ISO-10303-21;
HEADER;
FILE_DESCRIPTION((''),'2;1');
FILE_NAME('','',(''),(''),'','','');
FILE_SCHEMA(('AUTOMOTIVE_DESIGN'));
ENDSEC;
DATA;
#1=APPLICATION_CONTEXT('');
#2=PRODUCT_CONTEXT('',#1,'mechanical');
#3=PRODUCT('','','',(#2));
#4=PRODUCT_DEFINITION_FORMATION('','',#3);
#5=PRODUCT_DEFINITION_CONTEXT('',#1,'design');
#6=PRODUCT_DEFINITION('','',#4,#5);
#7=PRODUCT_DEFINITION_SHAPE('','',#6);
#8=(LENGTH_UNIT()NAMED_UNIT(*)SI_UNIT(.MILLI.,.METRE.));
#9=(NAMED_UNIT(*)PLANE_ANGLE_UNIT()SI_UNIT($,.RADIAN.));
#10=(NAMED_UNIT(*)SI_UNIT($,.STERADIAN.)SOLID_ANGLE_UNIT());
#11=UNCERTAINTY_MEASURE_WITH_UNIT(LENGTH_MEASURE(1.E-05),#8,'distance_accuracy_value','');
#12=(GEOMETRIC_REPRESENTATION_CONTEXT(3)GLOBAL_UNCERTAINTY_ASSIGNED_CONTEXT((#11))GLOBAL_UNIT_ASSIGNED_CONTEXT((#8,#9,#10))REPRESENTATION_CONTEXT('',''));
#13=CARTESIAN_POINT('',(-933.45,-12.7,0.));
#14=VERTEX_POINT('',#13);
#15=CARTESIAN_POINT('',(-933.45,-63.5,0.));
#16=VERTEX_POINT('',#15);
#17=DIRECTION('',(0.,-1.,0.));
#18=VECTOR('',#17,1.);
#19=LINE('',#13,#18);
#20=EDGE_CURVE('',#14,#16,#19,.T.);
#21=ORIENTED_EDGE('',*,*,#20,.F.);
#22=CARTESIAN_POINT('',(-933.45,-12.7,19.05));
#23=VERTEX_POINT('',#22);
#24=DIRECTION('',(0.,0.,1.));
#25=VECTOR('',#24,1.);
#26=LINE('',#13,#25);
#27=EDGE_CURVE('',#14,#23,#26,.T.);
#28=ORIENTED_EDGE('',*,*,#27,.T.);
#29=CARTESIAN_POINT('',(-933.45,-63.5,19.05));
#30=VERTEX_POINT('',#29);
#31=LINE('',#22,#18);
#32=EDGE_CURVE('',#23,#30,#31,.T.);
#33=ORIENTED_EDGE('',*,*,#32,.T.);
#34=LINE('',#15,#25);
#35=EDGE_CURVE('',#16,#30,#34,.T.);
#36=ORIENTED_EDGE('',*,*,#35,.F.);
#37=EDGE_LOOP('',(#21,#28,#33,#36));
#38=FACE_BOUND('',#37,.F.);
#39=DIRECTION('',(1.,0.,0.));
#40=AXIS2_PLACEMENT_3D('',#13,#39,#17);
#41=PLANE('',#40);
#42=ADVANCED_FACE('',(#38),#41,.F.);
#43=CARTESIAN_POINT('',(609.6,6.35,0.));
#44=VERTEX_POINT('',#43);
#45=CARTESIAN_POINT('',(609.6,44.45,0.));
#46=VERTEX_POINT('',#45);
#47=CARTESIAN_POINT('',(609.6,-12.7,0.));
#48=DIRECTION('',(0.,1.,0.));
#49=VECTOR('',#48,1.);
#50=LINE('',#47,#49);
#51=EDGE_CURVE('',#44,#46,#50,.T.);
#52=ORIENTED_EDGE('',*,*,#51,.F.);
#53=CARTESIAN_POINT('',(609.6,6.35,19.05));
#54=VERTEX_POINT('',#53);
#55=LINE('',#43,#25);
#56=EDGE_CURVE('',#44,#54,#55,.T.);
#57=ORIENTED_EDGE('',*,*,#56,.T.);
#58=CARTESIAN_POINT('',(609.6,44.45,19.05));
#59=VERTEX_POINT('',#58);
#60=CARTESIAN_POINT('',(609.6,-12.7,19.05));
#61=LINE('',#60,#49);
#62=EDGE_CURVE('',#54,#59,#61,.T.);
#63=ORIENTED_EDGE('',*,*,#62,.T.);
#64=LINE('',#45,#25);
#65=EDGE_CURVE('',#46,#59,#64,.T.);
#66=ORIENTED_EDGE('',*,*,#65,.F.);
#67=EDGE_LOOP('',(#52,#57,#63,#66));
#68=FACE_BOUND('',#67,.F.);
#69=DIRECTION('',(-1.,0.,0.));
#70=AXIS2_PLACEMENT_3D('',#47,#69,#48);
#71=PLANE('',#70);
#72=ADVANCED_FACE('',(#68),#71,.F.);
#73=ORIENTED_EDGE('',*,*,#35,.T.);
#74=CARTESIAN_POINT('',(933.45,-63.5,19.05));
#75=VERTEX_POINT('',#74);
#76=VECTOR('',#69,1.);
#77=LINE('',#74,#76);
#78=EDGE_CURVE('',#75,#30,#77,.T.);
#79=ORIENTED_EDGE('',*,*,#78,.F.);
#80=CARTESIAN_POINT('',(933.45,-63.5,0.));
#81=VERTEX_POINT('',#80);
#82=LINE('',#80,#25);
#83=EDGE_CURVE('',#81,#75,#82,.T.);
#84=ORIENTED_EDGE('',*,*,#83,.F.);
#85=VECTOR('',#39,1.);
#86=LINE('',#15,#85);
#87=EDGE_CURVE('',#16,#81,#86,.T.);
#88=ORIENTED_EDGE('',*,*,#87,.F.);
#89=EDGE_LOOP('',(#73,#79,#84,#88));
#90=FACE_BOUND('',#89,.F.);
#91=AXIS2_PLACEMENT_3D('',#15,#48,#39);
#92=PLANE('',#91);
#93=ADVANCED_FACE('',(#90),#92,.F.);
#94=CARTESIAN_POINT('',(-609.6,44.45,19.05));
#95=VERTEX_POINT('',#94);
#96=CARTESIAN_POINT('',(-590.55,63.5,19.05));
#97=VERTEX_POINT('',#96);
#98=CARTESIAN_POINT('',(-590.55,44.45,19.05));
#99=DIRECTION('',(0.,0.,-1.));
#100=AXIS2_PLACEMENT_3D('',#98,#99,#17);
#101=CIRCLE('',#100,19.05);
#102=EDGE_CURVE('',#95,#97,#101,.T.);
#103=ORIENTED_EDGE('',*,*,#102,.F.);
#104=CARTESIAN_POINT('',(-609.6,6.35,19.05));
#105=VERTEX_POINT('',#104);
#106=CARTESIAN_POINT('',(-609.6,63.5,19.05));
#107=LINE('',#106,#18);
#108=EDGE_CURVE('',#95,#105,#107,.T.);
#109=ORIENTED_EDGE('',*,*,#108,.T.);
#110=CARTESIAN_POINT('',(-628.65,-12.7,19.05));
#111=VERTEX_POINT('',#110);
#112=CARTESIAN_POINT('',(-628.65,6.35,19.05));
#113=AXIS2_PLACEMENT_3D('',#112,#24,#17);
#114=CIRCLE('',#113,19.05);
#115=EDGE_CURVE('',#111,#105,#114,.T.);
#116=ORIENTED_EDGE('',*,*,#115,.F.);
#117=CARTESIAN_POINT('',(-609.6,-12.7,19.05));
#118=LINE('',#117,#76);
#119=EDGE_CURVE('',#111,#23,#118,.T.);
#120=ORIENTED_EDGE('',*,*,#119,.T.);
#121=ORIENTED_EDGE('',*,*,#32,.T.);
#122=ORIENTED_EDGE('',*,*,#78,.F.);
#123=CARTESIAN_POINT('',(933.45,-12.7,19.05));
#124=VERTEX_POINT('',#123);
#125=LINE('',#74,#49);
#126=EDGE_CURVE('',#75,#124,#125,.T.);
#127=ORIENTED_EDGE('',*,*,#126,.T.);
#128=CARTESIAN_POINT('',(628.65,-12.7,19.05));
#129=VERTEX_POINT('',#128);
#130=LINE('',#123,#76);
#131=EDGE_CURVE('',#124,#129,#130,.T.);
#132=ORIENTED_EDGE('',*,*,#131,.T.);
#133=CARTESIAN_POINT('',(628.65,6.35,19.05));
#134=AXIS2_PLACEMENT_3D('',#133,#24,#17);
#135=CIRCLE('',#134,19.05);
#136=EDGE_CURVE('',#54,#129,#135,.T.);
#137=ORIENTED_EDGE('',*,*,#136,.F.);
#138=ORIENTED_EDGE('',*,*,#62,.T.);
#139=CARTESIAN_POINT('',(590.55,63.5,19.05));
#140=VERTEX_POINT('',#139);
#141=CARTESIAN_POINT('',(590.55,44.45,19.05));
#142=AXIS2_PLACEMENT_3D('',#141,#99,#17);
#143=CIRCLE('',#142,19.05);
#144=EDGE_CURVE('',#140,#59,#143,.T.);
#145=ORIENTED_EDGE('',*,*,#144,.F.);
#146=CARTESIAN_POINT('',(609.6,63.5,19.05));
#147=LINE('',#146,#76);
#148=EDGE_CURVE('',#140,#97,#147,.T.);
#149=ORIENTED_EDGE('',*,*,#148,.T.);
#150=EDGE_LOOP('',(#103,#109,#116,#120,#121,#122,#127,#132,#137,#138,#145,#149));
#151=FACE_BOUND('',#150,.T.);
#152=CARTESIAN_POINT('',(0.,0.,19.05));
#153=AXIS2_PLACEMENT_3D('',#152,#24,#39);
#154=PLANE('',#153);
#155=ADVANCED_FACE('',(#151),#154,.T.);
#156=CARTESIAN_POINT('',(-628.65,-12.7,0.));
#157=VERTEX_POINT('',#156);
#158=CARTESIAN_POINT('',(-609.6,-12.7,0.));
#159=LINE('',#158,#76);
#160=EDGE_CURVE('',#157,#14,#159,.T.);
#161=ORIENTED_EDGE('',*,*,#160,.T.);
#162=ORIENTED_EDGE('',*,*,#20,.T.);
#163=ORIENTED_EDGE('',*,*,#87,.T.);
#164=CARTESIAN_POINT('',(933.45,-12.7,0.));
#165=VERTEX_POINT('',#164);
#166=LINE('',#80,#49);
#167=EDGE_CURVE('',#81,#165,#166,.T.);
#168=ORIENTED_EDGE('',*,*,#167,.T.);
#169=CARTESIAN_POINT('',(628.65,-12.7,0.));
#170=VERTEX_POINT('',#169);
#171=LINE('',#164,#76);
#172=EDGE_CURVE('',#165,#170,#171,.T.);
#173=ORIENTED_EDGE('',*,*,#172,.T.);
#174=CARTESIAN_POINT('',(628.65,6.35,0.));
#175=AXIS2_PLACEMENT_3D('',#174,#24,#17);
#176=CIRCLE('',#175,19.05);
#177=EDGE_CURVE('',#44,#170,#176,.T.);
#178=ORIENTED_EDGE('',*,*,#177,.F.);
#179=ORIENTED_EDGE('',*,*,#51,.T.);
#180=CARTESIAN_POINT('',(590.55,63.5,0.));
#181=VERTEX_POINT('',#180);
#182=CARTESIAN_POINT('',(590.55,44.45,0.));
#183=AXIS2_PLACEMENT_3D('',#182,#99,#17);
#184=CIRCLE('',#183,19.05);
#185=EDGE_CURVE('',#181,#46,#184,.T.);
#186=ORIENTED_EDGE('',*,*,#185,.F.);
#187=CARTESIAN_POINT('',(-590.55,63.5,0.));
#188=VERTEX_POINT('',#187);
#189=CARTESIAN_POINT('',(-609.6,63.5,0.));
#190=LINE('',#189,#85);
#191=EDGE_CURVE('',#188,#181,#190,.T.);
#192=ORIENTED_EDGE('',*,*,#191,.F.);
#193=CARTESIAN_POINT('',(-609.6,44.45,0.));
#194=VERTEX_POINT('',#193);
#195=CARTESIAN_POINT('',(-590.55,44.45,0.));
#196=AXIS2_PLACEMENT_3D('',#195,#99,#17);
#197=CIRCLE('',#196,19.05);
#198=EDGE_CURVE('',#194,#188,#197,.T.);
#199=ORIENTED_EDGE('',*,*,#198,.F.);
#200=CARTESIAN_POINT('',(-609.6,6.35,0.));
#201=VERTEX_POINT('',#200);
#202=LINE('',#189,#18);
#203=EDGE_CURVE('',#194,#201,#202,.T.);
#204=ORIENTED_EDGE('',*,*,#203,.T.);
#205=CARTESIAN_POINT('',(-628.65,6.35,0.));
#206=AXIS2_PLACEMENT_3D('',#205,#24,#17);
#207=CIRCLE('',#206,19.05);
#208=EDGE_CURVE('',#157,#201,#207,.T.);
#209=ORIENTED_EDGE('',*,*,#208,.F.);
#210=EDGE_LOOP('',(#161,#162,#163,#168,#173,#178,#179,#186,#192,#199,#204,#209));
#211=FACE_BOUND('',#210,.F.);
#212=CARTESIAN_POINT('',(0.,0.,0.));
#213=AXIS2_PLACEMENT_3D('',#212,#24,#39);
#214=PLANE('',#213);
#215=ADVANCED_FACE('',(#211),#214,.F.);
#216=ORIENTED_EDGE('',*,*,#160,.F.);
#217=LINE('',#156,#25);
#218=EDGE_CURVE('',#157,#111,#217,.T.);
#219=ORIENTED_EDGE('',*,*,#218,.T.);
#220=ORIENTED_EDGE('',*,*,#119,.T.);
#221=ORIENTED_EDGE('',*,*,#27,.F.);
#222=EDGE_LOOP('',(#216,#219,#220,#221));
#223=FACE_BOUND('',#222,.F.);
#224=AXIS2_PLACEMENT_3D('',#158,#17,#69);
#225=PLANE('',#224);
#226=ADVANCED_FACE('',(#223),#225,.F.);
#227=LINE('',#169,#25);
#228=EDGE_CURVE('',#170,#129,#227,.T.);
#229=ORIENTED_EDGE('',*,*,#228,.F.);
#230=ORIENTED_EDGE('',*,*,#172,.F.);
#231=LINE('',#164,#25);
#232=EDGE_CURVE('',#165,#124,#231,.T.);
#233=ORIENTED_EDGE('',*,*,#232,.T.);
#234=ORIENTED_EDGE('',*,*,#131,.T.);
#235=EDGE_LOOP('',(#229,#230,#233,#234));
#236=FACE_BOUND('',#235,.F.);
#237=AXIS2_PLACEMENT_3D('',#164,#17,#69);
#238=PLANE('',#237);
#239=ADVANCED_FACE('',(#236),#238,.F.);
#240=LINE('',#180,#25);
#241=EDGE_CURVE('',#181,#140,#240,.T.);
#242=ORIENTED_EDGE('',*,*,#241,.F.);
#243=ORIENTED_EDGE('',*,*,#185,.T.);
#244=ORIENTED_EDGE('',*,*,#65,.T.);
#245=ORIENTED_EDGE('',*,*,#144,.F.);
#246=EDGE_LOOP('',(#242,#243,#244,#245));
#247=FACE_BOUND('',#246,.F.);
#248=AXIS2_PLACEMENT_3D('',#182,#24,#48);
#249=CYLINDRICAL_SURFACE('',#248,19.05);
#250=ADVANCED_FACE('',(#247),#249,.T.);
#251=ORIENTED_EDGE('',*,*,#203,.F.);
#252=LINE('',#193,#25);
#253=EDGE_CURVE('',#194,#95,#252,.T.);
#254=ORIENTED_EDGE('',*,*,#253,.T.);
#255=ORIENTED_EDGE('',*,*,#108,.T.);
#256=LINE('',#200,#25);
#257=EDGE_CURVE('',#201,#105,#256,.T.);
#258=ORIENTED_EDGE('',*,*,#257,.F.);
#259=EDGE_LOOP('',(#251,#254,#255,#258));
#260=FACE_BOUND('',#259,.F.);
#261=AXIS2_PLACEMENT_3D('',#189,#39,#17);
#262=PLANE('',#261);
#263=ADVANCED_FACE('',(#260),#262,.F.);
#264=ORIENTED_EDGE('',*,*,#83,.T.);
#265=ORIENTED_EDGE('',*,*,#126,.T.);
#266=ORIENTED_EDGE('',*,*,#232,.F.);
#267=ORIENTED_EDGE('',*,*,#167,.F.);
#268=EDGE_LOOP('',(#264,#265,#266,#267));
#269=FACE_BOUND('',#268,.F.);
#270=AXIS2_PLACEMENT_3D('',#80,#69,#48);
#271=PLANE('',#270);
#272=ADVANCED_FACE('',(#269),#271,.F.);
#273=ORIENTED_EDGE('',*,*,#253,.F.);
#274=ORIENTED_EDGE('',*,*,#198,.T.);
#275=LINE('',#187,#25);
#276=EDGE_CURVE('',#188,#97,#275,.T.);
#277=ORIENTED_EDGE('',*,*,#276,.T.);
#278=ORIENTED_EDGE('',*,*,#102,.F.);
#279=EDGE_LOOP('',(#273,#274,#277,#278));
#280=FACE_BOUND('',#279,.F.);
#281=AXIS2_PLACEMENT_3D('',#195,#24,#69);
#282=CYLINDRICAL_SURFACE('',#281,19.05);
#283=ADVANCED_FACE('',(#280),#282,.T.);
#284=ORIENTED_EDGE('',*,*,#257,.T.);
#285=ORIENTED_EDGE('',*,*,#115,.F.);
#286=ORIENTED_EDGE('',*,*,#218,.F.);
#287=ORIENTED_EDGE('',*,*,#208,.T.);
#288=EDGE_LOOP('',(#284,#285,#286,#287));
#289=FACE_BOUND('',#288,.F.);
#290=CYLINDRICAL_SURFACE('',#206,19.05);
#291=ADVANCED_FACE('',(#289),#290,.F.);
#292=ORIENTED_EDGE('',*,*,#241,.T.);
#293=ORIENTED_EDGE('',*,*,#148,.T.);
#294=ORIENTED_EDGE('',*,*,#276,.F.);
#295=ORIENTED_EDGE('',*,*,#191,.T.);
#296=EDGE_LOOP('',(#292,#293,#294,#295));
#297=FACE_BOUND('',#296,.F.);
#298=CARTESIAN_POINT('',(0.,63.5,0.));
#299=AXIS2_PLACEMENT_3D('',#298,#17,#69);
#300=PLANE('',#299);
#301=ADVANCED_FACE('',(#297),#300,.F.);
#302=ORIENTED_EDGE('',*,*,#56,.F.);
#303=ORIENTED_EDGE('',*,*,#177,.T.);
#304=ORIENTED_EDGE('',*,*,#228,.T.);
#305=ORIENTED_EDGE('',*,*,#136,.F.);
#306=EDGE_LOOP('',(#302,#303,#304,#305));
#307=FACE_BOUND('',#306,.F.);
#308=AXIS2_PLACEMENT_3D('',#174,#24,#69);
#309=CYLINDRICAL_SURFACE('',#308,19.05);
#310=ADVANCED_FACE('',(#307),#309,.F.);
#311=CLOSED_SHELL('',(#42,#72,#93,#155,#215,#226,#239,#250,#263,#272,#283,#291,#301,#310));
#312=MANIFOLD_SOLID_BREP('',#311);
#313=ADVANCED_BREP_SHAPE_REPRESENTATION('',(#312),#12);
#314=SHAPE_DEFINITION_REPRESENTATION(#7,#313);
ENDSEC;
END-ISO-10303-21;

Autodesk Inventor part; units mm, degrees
ref_plane "YZ Plane" through (0, 0, 0) normal (1, 0, 0) x (0, 1, 0)
ref_plane "XZ Plane" through (0, 0, 0) normal (0, 1, 0) x (-1, 0, 0)
ref_plane "XY Plane" through (0, 0, 0) normal (0, 0, 1) x (1, 0, 0)
sketch "Sketch1" plane through (0, 0, 0) normal (0, 0, 1) x (1, 0, 0)
  line L0 (-609.6, -63.5) -> (609.6, -63.5)
  line L1 (609.6, 63.5) -> (-609.6, 63.5)
  line L2 (-609.6, -63.5) -> (609.6, 63.5) construction
  line L3 (609.6, -63.5) -> (-609.6, 63.5) construction
  line L4 (-609.6, 63.5) -> (-609.6, -12.7)
  line L5 (-609.6, -12.7) -> (-933.45, -12.7)
  line L6 (-933.45, -12.7) -> (-933.45, -63.5)
  line L7 (-933.45, -63.5) -> (-609.6, -63.5)
  line L8 (609.6, -63.5) -> (933.45, -63.5)
  line L9 (933.45, -63.5) -> (933.45, -12.7)
  line L10 (933.45, -12.7) -> (609.6, -12.7)
  line L11 (609.6, -12.7) -> (609.6, 63.5)
  line L12 (0, 88.9) -> (0, -88.9) projected
  point P0 (0, 0)
  dimension "d0" = 127
  dimension "d1" = 1219.2
  dimension "d2" = 323.85
  dimension "d3" = 50.8
extrude "Extrusion1" add sketch "Sketch1" along normal blind 19.05
fillet "Fillet1" radius 19.05 4 edges at (-609.6, -12.7, 9.525) (-609.6, 63.5, 9.525) (609.6, 63.5, 9.525) (609.6, -12.7, 9.525)
ref_plane "Work Plane2" through (-933.45, -38.1, 19.05) normal (0, 1, 0) x (1, 0, 0)
ref_plane "Work Plane3" through (-628.65, -12.7, 0) normal (-1, 0, 0) x (0, 0, 1)
ref_plane "Work Plane4" through (628.65, -12.7, 0) normal (1, 0, 0) x (0, 0, -1)
equation "\"d2\" = ELength"
equation "\"d3\" = EHeight"
equation "\"d4\" = Thickness"
equation "\"Thickness\" = 19.05"
equation "\"EHeight\" = 50.8"
equation "\"ELength\" = 323.85"
properties part number "Frame"
